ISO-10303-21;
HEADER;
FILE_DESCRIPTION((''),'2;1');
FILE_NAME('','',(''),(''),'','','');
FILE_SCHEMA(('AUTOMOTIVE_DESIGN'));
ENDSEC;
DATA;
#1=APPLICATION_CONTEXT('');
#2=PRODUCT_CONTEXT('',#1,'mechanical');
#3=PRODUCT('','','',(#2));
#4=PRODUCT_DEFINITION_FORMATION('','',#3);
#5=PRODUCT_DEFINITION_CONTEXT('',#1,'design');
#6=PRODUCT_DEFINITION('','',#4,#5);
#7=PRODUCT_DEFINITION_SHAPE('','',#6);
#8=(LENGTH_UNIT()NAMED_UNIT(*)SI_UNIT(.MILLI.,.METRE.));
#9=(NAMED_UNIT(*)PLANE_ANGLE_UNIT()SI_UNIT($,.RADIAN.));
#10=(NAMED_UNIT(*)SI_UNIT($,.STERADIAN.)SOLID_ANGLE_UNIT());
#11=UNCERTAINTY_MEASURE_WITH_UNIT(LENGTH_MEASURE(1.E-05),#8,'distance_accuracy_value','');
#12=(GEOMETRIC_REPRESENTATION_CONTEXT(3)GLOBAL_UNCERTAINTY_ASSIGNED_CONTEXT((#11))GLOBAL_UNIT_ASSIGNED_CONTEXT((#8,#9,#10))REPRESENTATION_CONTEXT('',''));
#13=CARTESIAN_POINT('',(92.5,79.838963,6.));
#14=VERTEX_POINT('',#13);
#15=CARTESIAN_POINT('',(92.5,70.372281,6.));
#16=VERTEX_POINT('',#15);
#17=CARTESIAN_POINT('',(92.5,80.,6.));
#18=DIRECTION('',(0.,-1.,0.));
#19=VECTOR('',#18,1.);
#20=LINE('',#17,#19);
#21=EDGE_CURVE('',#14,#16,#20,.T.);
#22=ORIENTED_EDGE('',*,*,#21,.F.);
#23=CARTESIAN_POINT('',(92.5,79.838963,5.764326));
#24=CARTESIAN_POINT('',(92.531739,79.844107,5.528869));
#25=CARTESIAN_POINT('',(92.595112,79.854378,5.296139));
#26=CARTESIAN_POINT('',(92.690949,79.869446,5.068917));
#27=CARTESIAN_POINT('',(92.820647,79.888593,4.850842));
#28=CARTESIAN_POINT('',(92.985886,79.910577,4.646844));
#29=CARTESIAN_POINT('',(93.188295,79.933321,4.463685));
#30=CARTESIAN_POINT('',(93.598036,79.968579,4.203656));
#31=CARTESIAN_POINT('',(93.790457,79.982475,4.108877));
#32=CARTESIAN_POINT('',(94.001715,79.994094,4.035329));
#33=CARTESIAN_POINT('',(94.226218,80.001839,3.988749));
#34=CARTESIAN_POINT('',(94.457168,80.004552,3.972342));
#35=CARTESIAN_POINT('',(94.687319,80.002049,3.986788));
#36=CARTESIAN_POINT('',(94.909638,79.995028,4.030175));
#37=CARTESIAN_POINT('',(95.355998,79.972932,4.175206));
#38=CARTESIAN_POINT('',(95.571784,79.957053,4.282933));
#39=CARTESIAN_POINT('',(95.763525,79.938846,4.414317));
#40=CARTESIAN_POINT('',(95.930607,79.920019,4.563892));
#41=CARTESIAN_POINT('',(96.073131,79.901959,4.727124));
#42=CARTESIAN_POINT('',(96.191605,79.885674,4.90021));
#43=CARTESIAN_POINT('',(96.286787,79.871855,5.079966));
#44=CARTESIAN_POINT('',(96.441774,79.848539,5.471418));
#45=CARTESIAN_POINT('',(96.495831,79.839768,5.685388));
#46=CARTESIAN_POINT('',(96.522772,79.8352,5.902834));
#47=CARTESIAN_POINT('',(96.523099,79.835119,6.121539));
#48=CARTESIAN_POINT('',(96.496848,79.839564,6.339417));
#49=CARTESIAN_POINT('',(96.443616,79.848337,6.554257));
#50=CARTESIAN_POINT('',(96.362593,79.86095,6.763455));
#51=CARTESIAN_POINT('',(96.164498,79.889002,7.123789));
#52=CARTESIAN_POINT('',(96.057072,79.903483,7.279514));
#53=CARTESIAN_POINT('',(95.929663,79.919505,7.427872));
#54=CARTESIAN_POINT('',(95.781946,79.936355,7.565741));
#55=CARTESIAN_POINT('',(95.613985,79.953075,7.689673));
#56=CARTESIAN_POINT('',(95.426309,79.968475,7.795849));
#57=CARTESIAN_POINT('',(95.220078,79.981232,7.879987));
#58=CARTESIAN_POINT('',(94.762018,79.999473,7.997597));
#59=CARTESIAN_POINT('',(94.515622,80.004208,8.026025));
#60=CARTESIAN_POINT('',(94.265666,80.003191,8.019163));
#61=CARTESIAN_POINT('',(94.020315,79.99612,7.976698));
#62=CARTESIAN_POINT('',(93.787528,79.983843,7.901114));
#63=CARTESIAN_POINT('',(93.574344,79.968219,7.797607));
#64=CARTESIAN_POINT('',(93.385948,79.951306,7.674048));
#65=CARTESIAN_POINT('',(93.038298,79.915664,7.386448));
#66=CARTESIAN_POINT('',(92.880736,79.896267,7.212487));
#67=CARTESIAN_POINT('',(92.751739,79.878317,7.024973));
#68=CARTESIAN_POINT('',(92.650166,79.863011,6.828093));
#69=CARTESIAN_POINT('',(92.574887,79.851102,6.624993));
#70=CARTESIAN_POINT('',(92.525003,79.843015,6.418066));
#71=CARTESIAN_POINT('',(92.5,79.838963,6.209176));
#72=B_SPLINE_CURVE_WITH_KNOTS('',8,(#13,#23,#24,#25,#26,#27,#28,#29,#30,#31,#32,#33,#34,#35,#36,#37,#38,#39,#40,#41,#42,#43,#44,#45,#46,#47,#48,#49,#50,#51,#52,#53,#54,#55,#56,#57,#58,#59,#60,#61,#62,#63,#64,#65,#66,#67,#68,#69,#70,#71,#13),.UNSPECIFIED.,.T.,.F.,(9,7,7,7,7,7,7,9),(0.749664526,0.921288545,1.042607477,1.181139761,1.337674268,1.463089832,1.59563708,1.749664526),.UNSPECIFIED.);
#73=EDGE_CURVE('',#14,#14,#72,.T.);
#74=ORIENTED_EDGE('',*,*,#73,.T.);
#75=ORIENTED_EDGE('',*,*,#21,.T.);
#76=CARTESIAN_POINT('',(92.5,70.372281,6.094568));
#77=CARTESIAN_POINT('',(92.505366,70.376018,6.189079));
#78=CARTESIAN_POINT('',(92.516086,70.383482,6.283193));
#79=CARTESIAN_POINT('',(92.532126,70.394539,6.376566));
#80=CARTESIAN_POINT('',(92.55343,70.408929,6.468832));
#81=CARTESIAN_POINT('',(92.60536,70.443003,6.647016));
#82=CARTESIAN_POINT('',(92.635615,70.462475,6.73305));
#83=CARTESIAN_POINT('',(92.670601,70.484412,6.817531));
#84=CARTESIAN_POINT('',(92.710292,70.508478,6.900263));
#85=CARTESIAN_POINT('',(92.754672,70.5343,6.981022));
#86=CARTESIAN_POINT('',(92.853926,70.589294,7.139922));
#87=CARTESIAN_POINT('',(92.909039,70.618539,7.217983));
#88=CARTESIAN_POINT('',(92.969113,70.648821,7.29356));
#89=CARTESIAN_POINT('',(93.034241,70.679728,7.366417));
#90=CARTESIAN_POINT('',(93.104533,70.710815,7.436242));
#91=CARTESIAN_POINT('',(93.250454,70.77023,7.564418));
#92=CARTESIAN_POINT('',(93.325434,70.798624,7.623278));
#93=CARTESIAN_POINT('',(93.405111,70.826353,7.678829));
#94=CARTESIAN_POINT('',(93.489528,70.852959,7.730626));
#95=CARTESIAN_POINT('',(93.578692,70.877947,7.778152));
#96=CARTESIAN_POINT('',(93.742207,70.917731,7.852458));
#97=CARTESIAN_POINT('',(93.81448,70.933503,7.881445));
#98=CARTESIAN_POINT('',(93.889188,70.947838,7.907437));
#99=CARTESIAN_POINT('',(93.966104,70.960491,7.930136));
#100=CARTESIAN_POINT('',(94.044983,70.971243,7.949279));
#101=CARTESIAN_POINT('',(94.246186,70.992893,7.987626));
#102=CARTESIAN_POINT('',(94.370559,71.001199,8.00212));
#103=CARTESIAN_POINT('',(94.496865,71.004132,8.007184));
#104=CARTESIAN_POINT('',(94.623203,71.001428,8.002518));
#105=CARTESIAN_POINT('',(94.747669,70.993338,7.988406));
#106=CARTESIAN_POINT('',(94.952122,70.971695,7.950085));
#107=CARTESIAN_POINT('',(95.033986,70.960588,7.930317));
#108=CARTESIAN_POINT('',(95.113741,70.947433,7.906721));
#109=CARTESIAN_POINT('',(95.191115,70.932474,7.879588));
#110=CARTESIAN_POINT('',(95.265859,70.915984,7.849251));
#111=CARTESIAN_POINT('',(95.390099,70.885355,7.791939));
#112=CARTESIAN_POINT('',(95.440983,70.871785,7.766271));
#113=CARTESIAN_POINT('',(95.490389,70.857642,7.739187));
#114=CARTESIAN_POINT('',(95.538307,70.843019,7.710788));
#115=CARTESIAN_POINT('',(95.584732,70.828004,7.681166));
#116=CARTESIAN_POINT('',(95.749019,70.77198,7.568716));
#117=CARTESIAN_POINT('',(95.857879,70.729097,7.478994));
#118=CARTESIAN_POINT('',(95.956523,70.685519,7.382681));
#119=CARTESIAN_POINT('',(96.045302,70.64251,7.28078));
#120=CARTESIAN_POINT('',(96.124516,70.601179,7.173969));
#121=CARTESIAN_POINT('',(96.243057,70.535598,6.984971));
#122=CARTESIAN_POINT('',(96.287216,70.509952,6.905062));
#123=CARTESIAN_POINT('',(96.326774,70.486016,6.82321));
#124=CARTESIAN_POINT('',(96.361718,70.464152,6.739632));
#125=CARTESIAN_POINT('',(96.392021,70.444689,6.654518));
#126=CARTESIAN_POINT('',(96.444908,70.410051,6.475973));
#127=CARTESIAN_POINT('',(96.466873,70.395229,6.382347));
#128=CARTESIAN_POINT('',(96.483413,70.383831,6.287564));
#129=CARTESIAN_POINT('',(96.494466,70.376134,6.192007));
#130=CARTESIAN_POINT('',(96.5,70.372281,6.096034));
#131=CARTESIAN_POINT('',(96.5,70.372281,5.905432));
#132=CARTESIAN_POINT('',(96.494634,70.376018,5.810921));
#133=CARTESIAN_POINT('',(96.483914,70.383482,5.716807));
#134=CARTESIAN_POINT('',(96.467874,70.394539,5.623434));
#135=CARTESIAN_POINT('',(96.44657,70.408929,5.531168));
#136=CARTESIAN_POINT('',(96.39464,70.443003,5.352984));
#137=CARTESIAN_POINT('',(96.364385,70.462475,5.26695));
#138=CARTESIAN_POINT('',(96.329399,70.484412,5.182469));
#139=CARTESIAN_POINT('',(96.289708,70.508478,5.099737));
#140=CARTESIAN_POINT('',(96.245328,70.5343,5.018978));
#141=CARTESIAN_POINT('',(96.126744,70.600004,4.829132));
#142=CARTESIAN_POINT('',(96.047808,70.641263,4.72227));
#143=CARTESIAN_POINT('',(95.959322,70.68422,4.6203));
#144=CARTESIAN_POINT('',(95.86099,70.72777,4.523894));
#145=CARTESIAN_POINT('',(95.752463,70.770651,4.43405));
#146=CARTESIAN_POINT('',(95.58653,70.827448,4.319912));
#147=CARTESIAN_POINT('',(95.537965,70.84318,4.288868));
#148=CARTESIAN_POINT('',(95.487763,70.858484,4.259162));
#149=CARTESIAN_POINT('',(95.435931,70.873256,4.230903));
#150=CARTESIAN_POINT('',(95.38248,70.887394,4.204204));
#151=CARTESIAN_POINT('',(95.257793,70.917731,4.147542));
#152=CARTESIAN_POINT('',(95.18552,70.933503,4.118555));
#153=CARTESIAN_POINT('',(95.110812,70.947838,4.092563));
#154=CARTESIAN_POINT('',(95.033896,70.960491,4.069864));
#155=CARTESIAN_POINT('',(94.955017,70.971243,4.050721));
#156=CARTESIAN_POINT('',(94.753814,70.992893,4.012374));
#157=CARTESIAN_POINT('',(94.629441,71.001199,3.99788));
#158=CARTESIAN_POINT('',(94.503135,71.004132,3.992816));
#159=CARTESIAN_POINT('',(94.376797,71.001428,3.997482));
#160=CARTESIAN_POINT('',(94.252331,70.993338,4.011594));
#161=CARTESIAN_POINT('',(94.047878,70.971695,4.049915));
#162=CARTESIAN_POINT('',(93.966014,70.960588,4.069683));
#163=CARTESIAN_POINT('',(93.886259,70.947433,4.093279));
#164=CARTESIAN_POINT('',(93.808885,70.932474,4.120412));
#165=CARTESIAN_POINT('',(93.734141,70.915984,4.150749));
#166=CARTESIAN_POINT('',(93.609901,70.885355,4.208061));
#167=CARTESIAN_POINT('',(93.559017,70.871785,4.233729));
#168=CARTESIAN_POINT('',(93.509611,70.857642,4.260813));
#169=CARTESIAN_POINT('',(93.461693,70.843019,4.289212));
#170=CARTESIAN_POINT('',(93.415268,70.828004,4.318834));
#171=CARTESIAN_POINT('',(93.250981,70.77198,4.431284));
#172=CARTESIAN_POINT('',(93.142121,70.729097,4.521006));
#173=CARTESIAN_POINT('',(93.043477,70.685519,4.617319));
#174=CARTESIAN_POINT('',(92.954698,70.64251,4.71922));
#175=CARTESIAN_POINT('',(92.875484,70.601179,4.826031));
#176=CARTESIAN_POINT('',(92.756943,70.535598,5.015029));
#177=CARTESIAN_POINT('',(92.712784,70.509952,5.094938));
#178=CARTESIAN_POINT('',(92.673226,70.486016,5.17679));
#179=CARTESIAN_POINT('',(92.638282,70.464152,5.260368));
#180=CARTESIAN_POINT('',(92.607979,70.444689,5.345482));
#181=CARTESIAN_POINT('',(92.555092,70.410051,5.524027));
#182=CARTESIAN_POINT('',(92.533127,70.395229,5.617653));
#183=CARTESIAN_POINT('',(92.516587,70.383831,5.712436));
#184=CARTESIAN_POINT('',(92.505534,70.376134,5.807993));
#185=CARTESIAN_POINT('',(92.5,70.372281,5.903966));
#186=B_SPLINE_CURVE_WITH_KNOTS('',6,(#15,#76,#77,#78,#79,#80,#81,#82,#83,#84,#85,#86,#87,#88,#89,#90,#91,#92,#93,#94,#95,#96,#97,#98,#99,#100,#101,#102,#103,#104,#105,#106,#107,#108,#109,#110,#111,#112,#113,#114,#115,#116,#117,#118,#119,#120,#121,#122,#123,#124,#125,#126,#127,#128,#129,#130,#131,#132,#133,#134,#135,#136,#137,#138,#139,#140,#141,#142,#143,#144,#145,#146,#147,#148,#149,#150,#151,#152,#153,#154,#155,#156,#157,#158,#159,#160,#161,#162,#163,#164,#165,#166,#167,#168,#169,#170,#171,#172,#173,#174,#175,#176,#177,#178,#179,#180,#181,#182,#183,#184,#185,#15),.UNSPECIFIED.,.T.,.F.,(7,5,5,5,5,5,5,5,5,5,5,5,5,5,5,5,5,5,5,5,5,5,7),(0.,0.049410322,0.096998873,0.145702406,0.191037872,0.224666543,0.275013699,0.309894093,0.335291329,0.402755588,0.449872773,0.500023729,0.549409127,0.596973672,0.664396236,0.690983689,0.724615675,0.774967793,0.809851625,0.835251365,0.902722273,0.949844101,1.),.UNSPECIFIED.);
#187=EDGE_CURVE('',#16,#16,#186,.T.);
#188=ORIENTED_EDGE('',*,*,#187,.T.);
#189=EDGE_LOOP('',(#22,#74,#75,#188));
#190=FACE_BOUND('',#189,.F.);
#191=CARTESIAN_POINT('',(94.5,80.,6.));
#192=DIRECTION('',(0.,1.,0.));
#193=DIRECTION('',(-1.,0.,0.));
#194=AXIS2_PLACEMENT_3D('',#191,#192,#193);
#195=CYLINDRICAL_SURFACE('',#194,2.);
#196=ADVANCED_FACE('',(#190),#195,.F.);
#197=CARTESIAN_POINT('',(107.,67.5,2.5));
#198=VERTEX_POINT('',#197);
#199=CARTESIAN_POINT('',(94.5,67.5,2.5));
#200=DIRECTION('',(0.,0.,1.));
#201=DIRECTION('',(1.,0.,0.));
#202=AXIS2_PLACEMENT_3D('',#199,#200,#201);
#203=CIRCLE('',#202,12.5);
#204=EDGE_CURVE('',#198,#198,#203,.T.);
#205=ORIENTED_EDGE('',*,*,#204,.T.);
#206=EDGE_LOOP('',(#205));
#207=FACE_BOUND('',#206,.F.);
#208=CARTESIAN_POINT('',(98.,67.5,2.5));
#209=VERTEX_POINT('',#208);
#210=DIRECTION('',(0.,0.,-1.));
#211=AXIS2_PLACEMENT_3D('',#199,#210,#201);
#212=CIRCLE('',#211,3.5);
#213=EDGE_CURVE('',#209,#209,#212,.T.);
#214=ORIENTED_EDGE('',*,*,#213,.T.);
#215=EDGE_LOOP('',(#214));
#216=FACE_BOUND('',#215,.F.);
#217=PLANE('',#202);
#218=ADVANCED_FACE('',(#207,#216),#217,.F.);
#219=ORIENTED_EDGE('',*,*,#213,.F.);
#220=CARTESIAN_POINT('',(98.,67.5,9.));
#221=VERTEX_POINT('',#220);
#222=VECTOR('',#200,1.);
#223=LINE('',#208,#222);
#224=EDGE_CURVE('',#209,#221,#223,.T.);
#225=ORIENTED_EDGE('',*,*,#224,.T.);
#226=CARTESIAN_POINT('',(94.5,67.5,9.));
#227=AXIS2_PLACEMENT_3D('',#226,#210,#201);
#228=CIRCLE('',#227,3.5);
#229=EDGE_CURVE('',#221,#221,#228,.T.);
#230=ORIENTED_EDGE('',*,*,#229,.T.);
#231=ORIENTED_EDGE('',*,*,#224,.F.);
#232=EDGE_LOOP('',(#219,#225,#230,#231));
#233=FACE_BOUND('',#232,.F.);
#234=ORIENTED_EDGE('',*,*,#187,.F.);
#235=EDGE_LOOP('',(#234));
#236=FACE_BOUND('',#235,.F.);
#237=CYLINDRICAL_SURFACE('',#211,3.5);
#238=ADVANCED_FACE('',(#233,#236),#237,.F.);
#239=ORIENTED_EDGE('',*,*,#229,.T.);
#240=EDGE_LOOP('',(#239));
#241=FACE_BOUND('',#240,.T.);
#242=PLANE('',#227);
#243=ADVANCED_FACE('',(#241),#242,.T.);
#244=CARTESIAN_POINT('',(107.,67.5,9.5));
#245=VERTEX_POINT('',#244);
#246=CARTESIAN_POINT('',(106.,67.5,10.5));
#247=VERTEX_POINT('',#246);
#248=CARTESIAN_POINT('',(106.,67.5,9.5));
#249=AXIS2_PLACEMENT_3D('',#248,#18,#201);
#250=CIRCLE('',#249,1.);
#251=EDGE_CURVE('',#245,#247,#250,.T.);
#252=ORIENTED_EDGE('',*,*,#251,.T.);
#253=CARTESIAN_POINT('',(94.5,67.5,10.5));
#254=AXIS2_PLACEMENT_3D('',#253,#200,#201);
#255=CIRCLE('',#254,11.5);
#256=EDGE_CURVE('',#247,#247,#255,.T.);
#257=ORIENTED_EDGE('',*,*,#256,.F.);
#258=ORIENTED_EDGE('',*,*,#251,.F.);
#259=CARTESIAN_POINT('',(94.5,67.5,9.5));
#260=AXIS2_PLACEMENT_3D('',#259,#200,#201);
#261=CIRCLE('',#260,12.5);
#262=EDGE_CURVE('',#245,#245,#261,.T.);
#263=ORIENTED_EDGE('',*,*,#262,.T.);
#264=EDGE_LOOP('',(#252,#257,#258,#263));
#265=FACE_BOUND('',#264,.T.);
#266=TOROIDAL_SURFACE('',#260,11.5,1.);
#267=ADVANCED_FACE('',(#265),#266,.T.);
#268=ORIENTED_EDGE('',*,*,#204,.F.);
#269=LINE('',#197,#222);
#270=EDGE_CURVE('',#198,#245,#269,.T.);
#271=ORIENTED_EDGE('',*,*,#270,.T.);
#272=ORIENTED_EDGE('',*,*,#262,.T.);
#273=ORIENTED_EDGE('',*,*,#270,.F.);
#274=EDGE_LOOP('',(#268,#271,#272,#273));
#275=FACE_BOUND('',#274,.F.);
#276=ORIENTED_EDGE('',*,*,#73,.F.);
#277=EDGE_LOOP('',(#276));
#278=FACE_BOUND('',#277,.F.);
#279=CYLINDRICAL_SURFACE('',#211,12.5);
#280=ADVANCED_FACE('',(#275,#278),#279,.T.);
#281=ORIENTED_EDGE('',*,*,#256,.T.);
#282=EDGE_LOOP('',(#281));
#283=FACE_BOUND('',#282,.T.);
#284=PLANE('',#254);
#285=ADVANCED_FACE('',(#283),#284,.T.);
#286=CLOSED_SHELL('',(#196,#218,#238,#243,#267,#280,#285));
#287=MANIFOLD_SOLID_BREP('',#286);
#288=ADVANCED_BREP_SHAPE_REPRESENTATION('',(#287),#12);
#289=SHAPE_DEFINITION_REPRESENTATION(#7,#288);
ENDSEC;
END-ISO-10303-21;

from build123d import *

# Parameters (mm, degrees)
SKETCH059_R     = 12.5
PAD030_DEPTH    = 8
SKETCH060_R     = 3.5
POCKET029_DEPTH = 6.5
FILLET003_R     = 1
SKETCH061_R     = 2
POCKET030_DEPTH = 10


with BuildPart() as part:
    # Sketch059 → Pad030 (new body)
    with BuildSketch(Plane.XY):
        Circle(SKETCH059_R)
    extrude(amount=PAD030_DEPTH)

    # Sketch060 (on Face2 of Pad030) → Pocket029 (cut)
    with BuildSketch(Plane(origin=(0, 0, 0), x_dir=(1, 0, 0), z_dir=(0, 0, -1))):
        Circle(SKETCH060_R)
    extrude(amount=-POCKET029_DEPTH, mode=Mode.SUBTRACT)

    # Fillet003
    fillet003_edges = [part.edges().sort_by_distance(p)[0] for p in [
        (-12.5, 0, 8),
    ]]
    fillet(fillet003_edges, radius=FILLET003_R)

    # Sketch061 (on DatumPlane) → Pocket030 (cut)
    with BuildSketch(Plane(origin=(0, 12.5, 3.5), x_dir=(-1, 0, 0), z_dir=(0, 1, 0))):
        Circle(SKETCH061_R)
    extrude(amount=-POCKET030_DEPTH, mode=Mode.SUBTRACT)


with BuildPart() as part_1:
    # Body015 placement: moved
    add(part.part.moved(Location((94.5, 67.5, 2.5))))


solid = part_1.part
